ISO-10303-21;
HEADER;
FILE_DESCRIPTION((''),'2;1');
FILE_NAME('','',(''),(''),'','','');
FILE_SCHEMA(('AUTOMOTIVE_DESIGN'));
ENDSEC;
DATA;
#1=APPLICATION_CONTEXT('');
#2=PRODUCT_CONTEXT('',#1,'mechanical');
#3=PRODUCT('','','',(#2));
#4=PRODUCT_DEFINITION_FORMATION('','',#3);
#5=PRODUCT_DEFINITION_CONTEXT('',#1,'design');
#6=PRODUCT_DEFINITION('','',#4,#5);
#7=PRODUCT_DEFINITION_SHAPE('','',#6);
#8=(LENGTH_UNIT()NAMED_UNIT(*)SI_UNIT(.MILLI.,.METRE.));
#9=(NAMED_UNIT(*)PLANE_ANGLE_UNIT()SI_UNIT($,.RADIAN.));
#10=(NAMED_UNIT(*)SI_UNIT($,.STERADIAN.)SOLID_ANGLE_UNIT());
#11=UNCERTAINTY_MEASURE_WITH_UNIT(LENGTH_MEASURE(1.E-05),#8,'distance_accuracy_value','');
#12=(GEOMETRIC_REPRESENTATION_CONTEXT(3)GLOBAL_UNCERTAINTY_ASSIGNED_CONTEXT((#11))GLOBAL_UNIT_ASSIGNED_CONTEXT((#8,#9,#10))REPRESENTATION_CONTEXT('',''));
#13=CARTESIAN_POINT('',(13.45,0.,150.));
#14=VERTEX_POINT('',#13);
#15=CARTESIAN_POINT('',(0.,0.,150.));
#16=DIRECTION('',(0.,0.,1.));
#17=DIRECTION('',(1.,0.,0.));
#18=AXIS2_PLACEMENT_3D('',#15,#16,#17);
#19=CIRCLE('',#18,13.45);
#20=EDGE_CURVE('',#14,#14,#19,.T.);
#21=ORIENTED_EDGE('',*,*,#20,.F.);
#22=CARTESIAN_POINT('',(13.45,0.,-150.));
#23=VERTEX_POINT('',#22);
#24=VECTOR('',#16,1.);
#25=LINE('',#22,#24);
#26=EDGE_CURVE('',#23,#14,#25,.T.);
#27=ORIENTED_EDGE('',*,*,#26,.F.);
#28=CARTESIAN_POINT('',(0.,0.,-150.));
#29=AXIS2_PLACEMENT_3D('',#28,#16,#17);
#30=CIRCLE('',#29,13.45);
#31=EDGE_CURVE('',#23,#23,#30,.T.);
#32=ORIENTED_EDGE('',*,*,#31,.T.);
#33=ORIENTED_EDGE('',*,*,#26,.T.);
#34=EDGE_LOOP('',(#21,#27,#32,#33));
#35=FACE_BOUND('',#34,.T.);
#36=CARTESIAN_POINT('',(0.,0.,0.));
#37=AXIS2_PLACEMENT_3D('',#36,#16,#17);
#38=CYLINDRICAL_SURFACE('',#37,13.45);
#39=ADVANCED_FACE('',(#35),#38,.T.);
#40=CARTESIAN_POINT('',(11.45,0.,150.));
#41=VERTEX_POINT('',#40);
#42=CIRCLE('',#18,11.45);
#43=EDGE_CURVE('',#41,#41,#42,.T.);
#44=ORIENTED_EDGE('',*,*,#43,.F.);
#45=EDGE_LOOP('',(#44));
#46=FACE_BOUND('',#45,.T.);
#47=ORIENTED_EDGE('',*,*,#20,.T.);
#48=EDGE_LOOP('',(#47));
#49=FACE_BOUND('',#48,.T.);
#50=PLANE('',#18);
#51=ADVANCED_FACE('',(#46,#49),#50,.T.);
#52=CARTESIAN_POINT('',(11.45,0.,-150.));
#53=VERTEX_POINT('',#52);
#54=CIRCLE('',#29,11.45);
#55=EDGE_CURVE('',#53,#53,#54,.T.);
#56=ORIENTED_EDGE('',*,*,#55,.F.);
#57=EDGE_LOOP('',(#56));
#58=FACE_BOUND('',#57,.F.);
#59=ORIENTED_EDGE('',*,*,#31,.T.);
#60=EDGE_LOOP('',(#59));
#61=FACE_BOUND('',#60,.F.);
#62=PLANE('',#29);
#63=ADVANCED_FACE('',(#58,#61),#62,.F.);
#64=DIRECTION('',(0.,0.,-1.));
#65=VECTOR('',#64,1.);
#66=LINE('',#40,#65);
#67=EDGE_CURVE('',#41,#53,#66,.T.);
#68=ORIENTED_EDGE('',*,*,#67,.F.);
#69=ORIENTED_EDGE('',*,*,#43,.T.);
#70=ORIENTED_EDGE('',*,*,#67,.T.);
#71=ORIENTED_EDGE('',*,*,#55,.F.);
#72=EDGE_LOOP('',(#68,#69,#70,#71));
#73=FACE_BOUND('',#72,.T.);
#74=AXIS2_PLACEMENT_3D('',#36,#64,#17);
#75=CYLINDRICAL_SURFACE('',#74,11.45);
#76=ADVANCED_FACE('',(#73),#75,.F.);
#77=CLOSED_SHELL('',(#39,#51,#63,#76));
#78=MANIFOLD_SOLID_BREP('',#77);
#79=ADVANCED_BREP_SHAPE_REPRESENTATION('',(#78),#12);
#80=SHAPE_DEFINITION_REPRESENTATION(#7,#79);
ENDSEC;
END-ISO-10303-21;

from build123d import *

# Parameters (mm, degrees)
SKETCH1_R           = 13.45
SKETCH1_R_2         = 11.45
EXTRUDE_THIN1_DEPTH = 150


with BuildPart() as part:
    # Sketch1 → Extrude-Thin1 (new, symmetric)
    with BuildSketch(Plane.XY):
        Circle(SKETCH1_R)
        Circle(SKETCH1_R_2, mode=Mode.SUBTRACT)
    extrude(amount=EXTRUDE_THIN1_DEPTH, both=True)


solid = part.part
